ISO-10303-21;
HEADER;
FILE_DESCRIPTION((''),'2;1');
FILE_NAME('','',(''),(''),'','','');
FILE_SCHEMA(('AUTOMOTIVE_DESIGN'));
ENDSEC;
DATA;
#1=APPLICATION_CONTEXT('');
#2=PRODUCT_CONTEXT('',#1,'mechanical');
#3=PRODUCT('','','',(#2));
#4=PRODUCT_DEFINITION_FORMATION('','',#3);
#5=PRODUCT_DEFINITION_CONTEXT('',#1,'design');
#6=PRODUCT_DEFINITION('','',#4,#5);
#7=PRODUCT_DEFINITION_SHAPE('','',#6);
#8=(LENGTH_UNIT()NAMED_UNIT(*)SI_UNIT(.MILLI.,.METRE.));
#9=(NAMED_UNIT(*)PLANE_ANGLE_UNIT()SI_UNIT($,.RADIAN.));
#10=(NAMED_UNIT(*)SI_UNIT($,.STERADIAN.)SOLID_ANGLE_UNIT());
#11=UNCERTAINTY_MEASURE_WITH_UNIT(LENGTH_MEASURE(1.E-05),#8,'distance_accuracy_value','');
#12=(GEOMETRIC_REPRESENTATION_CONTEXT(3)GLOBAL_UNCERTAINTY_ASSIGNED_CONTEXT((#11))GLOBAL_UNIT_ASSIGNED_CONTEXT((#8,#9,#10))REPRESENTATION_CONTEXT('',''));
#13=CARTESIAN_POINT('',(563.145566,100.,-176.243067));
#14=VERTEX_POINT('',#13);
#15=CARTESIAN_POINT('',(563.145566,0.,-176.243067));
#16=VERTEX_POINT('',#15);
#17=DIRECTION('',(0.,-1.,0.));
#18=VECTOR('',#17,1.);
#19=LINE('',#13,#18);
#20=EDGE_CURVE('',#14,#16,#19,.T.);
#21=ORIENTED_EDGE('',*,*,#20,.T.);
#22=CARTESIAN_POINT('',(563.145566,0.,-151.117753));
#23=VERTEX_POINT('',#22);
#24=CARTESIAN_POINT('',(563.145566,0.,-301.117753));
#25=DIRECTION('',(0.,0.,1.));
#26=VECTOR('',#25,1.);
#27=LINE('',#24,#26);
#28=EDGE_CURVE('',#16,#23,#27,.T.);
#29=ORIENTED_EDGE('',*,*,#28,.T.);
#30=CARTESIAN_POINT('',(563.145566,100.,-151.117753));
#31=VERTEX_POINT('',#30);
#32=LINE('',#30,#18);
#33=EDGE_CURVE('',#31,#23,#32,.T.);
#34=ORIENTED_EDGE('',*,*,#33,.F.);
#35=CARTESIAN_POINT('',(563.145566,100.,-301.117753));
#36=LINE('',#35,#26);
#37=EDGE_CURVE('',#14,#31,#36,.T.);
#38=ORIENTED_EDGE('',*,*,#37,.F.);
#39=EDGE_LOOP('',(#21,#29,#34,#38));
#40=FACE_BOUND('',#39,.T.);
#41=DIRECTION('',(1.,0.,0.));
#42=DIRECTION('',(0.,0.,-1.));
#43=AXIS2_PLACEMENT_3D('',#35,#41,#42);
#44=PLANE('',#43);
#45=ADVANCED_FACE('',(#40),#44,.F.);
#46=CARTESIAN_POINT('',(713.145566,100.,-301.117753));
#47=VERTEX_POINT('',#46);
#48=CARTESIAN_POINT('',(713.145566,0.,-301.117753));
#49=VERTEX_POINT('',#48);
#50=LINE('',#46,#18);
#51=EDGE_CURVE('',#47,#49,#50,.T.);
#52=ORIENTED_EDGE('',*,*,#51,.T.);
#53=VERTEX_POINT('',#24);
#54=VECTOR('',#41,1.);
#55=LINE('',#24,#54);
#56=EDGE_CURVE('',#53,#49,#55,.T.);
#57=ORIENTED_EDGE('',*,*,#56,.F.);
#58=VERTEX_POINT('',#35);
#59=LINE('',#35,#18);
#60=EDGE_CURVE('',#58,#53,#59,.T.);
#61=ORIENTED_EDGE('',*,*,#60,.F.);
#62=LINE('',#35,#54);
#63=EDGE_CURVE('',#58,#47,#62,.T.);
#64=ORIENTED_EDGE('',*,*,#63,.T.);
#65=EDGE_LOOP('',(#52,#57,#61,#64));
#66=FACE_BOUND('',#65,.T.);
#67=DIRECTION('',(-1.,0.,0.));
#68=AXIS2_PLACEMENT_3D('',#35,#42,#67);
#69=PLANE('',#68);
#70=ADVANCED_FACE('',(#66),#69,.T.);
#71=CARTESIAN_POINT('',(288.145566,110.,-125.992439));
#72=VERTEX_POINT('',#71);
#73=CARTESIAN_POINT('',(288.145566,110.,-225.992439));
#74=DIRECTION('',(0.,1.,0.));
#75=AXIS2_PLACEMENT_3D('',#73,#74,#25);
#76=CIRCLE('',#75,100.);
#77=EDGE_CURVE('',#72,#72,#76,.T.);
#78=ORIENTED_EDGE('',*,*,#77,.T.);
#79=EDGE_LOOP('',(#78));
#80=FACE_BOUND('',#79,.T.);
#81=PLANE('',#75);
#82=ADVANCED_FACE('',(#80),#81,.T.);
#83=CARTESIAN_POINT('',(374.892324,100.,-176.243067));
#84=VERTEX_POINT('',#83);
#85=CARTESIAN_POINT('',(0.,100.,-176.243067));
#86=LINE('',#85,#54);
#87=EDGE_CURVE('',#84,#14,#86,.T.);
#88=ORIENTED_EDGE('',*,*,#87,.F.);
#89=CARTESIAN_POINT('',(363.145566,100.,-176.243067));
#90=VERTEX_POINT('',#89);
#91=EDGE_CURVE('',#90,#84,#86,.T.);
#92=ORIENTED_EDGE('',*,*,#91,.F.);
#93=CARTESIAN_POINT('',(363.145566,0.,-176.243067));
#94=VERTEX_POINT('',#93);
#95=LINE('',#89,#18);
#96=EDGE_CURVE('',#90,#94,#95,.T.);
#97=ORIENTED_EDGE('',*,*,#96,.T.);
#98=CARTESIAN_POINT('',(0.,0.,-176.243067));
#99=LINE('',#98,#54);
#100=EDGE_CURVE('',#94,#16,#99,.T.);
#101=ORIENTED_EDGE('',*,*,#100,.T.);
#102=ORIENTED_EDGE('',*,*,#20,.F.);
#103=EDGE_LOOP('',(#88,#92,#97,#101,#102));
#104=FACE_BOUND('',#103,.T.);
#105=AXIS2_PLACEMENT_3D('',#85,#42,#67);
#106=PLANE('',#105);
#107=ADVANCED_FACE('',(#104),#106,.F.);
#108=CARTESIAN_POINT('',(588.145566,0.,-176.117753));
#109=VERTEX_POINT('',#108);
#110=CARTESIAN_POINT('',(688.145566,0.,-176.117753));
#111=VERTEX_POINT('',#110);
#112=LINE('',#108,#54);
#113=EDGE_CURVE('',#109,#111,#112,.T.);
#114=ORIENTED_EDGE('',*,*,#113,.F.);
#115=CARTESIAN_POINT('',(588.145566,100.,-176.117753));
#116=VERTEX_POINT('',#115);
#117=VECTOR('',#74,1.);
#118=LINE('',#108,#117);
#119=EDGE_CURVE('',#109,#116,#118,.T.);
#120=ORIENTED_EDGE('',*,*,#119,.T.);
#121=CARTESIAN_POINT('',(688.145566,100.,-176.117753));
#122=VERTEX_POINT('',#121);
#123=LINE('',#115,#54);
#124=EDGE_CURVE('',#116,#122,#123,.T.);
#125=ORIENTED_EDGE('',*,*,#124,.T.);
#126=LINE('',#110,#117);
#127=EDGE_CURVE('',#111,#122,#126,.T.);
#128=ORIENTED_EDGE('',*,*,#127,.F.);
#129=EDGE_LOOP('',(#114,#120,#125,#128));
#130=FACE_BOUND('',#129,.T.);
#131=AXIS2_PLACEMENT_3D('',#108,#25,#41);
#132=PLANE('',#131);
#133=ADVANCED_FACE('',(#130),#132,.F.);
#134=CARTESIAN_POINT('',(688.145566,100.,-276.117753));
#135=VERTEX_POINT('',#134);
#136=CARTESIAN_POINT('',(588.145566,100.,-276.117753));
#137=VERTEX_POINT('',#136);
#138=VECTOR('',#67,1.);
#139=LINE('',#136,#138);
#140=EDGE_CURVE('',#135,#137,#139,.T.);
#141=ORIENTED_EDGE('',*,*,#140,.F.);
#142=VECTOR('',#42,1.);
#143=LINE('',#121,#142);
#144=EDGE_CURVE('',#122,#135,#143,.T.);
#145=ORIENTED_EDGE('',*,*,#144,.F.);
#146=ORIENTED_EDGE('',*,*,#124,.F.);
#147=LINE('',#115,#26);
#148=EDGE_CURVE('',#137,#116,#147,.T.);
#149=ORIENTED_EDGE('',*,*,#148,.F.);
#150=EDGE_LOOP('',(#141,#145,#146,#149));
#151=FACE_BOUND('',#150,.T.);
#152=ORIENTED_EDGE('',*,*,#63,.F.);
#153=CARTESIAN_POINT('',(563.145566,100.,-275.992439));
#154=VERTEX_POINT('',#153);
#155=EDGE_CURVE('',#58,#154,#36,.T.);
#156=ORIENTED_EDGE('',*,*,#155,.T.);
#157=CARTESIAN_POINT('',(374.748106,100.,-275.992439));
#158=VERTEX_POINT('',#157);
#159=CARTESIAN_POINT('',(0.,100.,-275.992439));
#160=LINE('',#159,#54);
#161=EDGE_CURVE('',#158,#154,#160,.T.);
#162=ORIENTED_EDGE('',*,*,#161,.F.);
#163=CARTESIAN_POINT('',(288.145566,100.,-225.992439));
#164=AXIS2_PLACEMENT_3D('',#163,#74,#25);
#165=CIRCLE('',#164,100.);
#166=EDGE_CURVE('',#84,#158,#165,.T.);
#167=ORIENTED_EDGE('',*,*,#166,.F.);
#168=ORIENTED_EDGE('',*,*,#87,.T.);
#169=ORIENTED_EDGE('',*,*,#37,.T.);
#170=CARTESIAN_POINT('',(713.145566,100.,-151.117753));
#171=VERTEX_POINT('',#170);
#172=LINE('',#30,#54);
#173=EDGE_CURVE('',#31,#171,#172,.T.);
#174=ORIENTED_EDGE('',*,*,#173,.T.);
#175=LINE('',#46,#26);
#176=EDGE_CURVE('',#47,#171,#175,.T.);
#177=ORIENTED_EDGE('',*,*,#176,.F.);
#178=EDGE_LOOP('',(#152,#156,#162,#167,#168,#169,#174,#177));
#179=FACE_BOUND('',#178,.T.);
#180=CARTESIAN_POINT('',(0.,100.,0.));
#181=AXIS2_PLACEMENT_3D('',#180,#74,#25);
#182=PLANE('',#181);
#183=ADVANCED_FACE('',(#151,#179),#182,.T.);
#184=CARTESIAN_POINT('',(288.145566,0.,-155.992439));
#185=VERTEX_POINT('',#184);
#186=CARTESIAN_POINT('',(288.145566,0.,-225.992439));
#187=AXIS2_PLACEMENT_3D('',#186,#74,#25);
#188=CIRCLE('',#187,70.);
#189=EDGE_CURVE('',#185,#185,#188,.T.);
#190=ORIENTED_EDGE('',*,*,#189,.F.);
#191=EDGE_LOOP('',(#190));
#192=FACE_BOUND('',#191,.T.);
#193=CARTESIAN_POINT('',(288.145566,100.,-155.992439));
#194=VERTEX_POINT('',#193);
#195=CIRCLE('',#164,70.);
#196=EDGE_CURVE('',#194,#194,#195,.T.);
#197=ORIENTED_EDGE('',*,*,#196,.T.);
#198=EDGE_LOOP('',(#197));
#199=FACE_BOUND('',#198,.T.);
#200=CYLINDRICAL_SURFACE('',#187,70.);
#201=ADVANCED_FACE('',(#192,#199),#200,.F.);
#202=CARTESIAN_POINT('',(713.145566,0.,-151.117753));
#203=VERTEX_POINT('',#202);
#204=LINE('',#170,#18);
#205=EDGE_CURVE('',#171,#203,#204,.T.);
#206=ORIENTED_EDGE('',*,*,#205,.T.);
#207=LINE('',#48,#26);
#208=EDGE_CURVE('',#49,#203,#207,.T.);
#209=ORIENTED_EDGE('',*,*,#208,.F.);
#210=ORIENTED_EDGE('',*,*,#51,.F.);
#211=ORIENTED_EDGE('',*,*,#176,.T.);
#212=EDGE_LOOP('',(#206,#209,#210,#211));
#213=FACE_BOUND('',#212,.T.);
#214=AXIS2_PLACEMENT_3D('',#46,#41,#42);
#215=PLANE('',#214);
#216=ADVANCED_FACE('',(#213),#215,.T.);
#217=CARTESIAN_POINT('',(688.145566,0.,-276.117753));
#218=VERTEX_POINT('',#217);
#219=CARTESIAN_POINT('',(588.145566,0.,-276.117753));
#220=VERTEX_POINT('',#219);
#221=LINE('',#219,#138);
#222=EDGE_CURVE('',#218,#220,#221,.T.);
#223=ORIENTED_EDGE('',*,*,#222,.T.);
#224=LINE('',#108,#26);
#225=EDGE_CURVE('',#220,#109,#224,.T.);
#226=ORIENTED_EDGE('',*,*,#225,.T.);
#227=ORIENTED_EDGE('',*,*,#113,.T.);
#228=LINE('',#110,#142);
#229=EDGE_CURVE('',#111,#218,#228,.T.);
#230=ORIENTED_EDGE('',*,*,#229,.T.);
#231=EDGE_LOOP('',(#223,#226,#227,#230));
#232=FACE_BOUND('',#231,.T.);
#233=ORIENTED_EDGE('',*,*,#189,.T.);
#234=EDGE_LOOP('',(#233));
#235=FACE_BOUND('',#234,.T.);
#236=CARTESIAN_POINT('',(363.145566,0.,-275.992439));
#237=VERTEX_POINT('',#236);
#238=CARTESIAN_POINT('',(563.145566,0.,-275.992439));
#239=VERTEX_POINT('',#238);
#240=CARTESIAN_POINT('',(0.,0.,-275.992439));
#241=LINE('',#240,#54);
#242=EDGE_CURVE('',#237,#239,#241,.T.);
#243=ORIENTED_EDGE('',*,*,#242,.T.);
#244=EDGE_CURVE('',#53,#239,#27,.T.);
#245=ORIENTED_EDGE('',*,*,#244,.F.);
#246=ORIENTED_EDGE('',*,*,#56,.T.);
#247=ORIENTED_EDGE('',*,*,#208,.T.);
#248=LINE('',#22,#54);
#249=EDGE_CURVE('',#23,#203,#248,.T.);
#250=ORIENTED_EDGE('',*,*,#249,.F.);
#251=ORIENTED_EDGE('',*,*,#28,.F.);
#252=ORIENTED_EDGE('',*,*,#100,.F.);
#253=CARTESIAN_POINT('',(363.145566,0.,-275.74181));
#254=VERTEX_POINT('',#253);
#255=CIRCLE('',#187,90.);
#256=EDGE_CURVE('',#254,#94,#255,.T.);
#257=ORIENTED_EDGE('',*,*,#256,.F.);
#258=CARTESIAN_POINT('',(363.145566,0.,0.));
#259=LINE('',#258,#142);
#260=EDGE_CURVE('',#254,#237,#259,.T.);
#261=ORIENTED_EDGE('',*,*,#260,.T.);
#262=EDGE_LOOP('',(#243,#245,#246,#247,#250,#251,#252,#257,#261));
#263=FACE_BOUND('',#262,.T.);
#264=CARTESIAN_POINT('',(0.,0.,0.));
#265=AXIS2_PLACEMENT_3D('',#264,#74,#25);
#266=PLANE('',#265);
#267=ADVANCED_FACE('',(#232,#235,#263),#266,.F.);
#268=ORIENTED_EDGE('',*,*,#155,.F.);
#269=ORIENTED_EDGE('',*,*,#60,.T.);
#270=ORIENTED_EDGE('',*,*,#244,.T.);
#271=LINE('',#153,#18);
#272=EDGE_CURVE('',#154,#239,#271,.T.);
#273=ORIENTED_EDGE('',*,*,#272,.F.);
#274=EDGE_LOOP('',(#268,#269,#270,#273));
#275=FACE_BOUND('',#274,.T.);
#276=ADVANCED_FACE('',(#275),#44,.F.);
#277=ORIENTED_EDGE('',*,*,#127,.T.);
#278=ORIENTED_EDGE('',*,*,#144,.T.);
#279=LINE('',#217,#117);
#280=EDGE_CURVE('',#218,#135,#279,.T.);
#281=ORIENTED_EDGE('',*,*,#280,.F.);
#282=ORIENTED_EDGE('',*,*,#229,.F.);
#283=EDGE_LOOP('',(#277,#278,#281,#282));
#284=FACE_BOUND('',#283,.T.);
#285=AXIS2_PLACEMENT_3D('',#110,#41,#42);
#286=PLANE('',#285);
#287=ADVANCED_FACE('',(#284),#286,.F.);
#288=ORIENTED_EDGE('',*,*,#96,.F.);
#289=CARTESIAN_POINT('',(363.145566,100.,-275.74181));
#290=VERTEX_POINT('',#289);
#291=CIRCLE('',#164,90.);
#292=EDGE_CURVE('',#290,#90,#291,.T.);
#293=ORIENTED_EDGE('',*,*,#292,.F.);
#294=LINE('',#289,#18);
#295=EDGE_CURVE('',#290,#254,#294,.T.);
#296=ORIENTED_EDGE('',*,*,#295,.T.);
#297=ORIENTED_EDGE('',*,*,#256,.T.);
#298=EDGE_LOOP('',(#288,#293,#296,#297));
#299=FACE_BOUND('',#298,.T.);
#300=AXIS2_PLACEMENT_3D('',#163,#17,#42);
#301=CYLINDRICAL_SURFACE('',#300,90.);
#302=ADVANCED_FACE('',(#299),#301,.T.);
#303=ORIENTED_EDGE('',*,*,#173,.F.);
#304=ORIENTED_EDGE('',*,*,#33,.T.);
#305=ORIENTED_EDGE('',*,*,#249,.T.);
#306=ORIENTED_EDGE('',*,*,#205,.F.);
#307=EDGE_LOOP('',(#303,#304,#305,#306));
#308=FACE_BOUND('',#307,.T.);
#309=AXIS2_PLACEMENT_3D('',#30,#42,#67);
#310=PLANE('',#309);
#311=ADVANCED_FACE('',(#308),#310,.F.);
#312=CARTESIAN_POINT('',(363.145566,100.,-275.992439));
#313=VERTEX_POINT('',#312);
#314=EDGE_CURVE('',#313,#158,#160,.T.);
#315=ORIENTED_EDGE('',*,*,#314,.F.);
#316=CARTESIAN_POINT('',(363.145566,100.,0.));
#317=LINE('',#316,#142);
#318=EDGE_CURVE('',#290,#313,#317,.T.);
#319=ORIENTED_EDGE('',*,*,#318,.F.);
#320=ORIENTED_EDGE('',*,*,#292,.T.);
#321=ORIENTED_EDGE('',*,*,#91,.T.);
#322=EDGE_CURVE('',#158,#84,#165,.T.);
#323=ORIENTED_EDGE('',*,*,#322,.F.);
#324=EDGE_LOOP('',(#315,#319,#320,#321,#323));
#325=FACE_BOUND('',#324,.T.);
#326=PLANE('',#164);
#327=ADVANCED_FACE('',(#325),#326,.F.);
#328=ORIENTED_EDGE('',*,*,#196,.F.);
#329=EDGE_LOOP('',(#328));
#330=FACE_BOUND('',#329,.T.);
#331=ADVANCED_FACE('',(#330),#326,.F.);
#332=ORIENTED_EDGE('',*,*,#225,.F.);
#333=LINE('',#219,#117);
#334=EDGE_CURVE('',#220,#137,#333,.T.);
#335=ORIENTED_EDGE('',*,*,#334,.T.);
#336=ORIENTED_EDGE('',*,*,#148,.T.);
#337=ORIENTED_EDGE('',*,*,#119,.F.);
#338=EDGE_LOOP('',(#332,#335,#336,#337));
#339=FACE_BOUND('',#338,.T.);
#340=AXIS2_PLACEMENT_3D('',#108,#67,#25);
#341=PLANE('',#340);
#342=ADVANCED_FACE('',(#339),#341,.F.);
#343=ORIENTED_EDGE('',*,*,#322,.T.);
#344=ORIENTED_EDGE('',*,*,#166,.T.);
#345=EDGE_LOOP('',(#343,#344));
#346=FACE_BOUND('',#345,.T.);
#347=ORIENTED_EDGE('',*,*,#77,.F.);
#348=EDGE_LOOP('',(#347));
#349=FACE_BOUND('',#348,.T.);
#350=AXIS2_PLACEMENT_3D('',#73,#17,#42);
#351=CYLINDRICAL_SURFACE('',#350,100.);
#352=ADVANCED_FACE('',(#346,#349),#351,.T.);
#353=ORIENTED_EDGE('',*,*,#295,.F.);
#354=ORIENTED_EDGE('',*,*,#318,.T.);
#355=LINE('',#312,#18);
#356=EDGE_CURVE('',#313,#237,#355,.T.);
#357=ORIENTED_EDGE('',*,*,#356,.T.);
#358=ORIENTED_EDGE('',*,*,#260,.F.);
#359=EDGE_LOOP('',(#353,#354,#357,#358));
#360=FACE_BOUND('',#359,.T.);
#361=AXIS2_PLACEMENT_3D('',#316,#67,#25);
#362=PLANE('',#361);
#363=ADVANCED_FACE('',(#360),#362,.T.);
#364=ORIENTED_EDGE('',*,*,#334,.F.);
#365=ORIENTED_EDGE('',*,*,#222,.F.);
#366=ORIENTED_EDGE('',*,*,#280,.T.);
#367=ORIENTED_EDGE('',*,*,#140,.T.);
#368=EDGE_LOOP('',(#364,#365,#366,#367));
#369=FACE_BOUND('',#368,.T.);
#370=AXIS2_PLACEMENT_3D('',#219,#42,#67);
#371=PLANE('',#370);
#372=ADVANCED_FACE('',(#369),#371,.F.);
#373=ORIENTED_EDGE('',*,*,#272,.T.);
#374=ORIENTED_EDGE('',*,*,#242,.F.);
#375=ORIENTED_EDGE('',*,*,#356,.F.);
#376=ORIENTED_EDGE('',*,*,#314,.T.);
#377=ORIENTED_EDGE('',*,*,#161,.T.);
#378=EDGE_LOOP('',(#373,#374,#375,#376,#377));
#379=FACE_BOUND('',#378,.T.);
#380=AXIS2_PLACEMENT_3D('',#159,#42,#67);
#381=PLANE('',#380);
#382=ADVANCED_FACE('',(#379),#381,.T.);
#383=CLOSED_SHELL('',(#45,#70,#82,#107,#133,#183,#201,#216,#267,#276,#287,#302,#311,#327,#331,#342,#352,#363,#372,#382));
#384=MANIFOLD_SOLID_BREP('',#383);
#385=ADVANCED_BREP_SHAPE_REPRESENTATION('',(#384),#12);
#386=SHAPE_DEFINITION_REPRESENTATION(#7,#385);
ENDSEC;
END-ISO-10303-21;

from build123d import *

# Parameters (mm, degrees)
SKETCH1_W           = 150
SKETCH1_H           = 150
BOSS_EXTRUDE1_DEPTH = 100
SKETCH5_R           = 70
CUT_EXTRUDE2_DEPTH  = 100
SKETCH6_R           = 100
BOSS_EXTRUDE4_DEPTH = 10
SKETCH7_W           = 100
SKETCH7_H           = 100
CUT_EXTRUDE3_DEPTH  = 100


with BuildPart() as part:
    # Sketch1 → Boss-Extrude1 (new body)
    with BuildSketch(Plane(origin=(0, 0, 0), x_dir=(1, 0, 0), z_dir=(0, 1, 0))):
        with BuildLine():
            Line((363.145565834, 275.992438563), (363.145565834, 275.741810419))
            ThreePointArc((363.145565834, 275.741810419), (198.145565834, 225.992438563), (363.145565834, 176.243066708))
            Line((363.145565834, 176.243066708), (563.145565834, 176.243066708))
            Line((563.145565834, 176.243066708), (563.145565834, 275.741810419))
            Line((563.145565834, 275.741810419), (563.145565834, 275.992438563))
            Line((563.145565834, 275.992438563), (363.145565834, 275.992438563))
        make_face()
        with Locations((638.145565834, 226.117752636)):
            Rectangle(SKETCH1_W, SKETCH1_H)
    extrude(amount=BOSS_EXTRUDE1_DEPTH)

    # Sketch5 → Cut-Extrude2 (cut)
    with BuildSketch(Plane(origin=(0, 100, 0), x_dir=(1, 0, 0), z_dir=(0, 1, 0))):
        with Locations(Location((288.145565834, 225.992438563, 0), (0, 0, 270))):
            Circle(SKETCH5_R)
    extrude(amount=-CUT_EXTRUDE2_DEPTH, mode=Mode.SUBTRACT)

    # Sketch6 → Boss-Extrude4 (add)
    with BuildSketch(Plane(origin=(0, 100, 0), x_dir=(1, 0, 0), z_dir=(0, 1, 0))):
        with Locations(Location((288.145565834, 225.992438563, 0), (0, 0, 30))):
            Circle(SKETCH6_R)
    extrude(amount=BOSS_EXTRUDE4_DEPTH)

    # Sketch7 → Cut-Extrude3 (cut)
    with BuildSketch(Plane(origin=(0, 100, 0), x_dir=(1, 0, 0), z_dir=(0, 1, 0))):
        with Locations((638.145565834, 226.117752636)):
            Rectangle(SKETCH7_W, SKETCH7_H)
    extrude(amount=-CUT_EXTRUDE3_DEPTH, mode=Mode.SUBTRACT)


solid = part.part
